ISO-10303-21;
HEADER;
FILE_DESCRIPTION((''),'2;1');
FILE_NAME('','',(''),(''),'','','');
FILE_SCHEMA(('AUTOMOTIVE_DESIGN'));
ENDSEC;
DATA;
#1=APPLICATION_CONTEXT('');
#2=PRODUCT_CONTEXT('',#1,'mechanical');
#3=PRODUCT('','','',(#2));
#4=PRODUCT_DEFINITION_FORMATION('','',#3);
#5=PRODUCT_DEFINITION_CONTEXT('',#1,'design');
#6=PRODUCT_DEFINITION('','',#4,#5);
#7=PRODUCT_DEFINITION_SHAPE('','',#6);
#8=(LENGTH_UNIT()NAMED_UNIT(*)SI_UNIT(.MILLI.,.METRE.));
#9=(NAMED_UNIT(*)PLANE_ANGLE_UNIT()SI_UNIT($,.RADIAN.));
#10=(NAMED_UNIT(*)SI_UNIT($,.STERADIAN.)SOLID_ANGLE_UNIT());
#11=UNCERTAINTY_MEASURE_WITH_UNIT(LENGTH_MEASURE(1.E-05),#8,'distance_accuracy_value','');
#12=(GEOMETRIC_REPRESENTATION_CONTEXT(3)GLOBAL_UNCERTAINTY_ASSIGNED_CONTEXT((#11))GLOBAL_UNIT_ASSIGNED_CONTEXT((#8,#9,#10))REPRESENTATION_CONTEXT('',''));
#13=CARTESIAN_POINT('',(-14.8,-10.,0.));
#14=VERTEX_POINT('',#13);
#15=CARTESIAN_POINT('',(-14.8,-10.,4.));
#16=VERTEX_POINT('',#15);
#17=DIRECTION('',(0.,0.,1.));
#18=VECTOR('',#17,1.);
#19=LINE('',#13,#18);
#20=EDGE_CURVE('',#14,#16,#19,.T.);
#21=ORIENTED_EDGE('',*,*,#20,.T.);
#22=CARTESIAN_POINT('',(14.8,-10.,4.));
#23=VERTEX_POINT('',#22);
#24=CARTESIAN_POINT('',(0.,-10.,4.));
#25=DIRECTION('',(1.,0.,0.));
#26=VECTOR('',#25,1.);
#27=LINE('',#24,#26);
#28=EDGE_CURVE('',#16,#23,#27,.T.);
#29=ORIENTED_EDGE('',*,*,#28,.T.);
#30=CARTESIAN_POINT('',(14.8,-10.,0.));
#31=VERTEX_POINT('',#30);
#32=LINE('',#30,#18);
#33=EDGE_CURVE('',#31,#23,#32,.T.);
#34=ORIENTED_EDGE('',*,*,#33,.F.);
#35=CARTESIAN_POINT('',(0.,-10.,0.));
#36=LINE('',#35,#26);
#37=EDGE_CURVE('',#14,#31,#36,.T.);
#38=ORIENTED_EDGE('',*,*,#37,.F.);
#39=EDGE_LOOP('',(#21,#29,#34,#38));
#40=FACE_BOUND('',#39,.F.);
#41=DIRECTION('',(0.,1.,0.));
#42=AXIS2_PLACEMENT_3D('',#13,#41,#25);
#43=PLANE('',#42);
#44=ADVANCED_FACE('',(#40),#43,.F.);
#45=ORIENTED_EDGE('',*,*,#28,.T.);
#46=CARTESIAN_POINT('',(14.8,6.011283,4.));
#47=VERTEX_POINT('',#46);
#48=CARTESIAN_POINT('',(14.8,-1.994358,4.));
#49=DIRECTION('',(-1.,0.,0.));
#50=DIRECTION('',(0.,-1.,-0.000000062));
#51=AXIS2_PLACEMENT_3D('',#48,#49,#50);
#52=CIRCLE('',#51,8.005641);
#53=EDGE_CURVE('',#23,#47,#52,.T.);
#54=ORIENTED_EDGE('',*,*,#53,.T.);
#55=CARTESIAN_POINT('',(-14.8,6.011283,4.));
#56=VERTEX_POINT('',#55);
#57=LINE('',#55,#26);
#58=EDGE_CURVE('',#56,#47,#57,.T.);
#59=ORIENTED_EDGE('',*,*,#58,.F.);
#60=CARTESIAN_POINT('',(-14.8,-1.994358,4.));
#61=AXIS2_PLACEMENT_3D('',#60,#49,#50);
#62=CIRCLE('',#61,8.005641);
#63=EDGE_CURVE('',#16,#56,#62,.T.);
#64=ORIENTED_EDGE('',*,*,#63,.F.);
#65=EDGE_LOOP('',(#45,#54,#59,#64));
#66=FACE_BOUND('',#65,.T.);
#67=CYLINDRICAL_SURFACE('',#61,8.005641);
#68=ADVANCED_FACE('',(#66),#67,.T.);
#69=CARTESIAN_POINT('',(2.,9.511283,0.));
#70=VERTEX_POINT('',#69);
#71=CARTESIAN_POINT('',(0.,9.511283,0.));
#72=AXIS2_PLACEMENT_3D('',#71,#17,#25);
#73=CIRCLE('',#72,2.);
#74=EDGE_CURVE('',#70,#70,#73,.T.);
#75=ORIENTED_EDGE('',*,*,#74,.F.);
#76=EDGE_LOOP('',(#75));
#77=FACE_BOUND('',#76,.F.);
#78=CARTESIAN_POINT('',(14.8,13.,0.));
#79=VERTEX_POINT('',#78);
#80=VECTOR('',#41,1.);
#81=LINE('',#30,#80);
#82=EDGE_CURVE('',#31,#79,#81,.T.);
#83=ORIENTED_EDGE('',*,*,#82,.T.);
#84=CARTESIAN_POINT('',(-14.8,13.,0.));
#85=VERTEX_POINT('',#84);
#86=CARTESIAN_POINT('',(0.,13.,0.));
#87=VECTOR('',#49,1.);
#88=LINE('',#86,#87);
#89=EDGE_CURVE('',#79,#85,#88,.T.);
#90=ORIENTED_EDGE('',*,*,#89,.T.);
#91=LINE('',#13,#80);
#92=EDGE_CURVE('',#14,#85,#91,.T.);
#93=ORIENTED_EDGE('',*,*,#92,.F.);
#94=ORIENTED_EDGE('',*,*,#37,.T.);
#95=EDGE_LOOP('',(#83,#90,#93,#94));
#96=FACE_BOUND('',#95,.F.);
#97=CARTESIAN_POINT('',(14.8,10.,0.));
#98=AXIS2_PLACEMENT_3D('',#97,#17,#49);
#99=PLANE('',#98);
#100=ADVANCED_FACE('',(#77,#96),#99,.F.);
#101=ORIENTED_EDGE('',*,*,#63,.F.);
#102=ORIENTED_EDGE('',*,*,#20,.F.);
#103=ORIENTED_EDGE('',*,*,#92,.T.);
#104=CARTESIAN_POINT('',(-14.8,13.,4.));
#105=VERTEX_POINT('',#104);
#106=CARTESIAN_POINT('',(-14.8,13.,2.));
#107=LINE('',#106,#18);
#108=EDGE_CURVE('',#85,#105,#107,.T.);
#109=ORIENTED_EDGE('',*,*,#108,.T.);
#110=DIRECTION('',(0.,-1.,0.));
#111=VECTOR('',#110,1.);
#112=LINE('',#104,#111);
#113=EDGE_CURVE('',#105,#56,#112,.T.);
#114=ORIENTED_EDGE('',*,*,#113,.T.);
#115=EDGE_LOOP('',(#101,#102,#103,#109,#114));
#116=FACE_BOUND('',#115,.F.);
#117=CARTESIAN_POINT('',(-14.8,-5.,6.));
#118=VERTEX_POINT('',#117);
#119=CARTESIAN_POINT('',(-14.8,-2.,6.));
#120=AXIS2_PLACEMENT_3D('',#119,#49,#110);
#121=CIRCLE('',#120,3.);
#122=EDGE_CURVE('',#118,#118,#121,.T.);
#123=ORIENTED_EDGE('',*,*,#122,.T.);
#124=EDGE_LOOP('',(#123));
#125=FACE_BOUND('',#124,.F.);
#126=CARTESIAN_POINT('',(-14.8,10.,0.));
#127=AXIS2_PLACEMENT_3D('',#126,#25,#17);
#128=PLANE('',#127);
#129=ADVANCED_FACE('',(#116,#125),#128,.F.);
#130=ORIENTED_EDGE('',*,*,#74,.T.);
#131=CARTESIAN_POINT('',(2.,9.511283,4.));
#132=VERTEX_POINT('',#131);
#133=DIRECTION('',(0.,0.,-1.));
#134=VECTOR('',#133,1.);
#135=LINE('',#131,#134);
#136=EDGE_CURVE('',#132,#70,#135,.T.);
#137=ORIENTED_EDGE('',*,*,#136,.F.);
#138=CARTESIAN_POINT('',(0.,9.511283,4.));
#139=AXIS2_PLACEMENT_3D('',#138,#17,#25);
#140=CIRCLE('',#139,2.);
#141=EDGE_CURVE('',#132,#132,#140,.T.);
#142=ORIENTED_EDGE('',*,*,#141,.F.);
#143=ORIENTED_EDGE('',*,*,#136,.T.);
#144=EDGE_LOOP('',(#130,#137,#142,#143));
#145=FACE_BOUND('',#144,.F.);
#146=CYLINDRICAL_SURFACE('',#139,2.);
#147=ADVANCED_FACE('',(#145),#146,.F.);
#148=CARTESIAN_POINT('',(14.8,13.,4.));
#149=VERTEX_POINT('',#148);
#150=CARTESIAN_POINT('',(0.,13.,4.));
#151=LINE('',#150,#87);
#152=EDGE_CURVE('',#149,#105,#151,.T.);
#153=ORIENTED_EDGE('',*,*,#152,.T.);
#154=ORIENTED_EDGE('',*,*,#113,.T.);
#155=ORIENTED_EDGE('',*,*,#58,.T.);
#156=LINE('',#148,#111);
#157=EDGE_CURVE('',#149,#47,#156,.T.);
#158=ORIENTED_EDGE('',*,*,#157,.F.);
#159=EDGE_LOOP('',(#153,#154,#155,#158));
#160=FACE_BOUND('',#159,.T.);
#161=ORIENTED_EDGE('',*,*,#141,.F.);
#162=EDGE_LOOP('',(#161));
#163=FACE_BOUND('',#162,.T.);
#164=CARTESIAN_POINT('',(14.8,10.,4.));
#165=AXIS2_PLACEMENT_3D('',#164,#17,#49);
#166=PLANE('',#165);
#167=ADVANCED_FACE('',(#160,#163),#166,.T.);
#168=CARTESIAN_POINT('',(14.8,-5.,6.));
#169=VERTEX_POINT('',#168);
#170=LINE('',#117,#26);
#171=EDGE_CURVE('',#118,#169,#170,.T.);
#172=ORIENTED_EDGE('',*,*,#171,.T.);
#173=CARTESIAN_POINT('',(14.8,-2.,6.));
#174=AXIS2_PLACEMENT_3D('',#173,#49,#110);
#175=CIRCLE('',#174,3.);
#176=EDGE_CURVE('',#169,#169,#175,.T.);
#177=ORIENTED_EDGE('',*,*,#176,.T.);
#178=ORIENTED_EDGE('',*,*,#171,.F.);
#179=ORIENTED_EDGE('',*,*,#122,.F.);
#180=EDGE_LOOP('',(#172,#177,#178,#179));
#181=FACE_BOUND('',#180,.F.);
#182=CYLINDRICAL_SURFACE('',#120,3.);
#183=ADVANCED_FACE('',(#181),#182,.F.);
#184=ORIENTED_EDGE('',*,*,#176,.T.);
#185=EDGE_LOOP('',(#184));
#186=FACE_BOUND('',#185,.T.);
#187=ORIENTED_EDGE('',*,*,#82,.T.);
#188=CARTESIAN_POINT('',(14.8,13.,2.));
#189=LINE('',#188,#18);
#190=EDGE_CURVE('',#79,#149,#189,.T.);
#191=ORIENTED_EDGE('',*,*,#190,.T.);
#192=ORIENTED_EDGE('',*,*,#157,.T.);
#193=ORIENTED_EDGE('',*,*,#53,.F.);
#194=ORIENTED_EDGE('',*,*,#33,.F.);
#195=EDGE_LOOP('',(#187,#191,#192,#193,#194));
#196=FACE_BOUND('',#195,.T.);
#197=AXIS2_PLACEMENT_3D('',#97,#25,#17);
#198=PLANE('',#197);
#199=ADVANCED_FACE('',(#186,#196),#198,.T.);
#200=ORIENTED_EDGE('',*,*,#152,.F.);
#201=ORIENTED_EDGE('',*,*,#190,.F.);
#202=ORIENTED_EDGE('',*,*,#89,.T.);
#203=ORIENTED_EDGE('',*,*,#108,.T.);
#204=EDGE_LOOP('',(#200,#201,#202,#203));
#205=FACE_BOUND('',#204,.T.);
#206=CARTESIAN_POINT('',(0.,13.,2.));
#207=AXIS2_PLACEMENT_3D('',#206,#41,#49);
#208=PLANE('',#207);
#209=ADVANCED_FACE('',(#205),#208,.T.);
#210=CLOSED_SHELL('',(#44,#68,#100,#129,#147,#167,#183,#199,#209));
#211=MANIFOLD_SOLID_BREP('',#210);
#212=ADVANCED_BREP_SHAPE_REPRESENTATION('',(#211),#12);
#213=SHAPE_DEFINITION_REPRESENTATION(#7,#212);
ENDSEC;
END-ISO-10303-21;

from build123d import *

# Parameters (mm, degrees)
F0_W     = 29.6
F0_H     = 5
F0_H_2   = 10
F1_DEPTH = 4
F3_DEPTH = 29.6
F4_R     = 3
F5_DEPTH = 33
F6_W     = 29.6
F6_H     = 4
F7_DEPTH = 3
F8_R     = 2
F9_DEPTH = 25


with BuildPart() as f1:
    # F0 (on Top) → F1 (new body)
    with BuildSketch(Plane.XY):
        with Locations((0, 7.5)):
            Rectangle(F0_W, F0_H)
        Rectangle(F0_W, F0_H_2)
        with Locations((0, -7.5)):
            Rectangle(F0_W, F0_H)
    extrude(amount=F1_DEPTH)

    # F2 (on face) → F3 (join)
    with BuildSketch(Plane(origin=(-14.8, 0, 0), x_dir=(0, -1, 0), z_dir=(-1, 0, 0))):
        with BuildLine():
            Line((-6.011283, 4), (10, 4))
            ThreePointArc((10, 4), (1.994358, 12.005642), (-6.011283, 4))
        make_face()
    extrude(amount=-F3_DEPTH)

    # F4 (on face) → F5 (cut)
    with BuildSketch(Plane(origin=(-14.8, 0, 0), x_dir=(0, -1, 0), z_dir=(-1, 0, 0))):
        with Locations((2, 6)):
            Circle(F4_R)
    extrude(amount=-F5_DEPTH, mode=Mode.SUBTRACT)

    # F6 (on face) → F7 (join)
    with BuildSketch(Plane(origin=(0, 10, 0), x_dir=(-1, 0, 0), z_dir=(0, 1, 0))):
        with Locations((0, 2)):
            Rectangle(F6_W, F6_H)
    extrude(amount=F7_DEPTH)

    # F8 (on face) → F9 (cut)
    with BuildSketch(Plane.XY.offset(4)):
        with Locations((0, 9.511283)):
            Circle(F8_R)
    extrude(amount=-F9_DEPTH, mode=Mode.SUBTRACT)


solid = f1.part
